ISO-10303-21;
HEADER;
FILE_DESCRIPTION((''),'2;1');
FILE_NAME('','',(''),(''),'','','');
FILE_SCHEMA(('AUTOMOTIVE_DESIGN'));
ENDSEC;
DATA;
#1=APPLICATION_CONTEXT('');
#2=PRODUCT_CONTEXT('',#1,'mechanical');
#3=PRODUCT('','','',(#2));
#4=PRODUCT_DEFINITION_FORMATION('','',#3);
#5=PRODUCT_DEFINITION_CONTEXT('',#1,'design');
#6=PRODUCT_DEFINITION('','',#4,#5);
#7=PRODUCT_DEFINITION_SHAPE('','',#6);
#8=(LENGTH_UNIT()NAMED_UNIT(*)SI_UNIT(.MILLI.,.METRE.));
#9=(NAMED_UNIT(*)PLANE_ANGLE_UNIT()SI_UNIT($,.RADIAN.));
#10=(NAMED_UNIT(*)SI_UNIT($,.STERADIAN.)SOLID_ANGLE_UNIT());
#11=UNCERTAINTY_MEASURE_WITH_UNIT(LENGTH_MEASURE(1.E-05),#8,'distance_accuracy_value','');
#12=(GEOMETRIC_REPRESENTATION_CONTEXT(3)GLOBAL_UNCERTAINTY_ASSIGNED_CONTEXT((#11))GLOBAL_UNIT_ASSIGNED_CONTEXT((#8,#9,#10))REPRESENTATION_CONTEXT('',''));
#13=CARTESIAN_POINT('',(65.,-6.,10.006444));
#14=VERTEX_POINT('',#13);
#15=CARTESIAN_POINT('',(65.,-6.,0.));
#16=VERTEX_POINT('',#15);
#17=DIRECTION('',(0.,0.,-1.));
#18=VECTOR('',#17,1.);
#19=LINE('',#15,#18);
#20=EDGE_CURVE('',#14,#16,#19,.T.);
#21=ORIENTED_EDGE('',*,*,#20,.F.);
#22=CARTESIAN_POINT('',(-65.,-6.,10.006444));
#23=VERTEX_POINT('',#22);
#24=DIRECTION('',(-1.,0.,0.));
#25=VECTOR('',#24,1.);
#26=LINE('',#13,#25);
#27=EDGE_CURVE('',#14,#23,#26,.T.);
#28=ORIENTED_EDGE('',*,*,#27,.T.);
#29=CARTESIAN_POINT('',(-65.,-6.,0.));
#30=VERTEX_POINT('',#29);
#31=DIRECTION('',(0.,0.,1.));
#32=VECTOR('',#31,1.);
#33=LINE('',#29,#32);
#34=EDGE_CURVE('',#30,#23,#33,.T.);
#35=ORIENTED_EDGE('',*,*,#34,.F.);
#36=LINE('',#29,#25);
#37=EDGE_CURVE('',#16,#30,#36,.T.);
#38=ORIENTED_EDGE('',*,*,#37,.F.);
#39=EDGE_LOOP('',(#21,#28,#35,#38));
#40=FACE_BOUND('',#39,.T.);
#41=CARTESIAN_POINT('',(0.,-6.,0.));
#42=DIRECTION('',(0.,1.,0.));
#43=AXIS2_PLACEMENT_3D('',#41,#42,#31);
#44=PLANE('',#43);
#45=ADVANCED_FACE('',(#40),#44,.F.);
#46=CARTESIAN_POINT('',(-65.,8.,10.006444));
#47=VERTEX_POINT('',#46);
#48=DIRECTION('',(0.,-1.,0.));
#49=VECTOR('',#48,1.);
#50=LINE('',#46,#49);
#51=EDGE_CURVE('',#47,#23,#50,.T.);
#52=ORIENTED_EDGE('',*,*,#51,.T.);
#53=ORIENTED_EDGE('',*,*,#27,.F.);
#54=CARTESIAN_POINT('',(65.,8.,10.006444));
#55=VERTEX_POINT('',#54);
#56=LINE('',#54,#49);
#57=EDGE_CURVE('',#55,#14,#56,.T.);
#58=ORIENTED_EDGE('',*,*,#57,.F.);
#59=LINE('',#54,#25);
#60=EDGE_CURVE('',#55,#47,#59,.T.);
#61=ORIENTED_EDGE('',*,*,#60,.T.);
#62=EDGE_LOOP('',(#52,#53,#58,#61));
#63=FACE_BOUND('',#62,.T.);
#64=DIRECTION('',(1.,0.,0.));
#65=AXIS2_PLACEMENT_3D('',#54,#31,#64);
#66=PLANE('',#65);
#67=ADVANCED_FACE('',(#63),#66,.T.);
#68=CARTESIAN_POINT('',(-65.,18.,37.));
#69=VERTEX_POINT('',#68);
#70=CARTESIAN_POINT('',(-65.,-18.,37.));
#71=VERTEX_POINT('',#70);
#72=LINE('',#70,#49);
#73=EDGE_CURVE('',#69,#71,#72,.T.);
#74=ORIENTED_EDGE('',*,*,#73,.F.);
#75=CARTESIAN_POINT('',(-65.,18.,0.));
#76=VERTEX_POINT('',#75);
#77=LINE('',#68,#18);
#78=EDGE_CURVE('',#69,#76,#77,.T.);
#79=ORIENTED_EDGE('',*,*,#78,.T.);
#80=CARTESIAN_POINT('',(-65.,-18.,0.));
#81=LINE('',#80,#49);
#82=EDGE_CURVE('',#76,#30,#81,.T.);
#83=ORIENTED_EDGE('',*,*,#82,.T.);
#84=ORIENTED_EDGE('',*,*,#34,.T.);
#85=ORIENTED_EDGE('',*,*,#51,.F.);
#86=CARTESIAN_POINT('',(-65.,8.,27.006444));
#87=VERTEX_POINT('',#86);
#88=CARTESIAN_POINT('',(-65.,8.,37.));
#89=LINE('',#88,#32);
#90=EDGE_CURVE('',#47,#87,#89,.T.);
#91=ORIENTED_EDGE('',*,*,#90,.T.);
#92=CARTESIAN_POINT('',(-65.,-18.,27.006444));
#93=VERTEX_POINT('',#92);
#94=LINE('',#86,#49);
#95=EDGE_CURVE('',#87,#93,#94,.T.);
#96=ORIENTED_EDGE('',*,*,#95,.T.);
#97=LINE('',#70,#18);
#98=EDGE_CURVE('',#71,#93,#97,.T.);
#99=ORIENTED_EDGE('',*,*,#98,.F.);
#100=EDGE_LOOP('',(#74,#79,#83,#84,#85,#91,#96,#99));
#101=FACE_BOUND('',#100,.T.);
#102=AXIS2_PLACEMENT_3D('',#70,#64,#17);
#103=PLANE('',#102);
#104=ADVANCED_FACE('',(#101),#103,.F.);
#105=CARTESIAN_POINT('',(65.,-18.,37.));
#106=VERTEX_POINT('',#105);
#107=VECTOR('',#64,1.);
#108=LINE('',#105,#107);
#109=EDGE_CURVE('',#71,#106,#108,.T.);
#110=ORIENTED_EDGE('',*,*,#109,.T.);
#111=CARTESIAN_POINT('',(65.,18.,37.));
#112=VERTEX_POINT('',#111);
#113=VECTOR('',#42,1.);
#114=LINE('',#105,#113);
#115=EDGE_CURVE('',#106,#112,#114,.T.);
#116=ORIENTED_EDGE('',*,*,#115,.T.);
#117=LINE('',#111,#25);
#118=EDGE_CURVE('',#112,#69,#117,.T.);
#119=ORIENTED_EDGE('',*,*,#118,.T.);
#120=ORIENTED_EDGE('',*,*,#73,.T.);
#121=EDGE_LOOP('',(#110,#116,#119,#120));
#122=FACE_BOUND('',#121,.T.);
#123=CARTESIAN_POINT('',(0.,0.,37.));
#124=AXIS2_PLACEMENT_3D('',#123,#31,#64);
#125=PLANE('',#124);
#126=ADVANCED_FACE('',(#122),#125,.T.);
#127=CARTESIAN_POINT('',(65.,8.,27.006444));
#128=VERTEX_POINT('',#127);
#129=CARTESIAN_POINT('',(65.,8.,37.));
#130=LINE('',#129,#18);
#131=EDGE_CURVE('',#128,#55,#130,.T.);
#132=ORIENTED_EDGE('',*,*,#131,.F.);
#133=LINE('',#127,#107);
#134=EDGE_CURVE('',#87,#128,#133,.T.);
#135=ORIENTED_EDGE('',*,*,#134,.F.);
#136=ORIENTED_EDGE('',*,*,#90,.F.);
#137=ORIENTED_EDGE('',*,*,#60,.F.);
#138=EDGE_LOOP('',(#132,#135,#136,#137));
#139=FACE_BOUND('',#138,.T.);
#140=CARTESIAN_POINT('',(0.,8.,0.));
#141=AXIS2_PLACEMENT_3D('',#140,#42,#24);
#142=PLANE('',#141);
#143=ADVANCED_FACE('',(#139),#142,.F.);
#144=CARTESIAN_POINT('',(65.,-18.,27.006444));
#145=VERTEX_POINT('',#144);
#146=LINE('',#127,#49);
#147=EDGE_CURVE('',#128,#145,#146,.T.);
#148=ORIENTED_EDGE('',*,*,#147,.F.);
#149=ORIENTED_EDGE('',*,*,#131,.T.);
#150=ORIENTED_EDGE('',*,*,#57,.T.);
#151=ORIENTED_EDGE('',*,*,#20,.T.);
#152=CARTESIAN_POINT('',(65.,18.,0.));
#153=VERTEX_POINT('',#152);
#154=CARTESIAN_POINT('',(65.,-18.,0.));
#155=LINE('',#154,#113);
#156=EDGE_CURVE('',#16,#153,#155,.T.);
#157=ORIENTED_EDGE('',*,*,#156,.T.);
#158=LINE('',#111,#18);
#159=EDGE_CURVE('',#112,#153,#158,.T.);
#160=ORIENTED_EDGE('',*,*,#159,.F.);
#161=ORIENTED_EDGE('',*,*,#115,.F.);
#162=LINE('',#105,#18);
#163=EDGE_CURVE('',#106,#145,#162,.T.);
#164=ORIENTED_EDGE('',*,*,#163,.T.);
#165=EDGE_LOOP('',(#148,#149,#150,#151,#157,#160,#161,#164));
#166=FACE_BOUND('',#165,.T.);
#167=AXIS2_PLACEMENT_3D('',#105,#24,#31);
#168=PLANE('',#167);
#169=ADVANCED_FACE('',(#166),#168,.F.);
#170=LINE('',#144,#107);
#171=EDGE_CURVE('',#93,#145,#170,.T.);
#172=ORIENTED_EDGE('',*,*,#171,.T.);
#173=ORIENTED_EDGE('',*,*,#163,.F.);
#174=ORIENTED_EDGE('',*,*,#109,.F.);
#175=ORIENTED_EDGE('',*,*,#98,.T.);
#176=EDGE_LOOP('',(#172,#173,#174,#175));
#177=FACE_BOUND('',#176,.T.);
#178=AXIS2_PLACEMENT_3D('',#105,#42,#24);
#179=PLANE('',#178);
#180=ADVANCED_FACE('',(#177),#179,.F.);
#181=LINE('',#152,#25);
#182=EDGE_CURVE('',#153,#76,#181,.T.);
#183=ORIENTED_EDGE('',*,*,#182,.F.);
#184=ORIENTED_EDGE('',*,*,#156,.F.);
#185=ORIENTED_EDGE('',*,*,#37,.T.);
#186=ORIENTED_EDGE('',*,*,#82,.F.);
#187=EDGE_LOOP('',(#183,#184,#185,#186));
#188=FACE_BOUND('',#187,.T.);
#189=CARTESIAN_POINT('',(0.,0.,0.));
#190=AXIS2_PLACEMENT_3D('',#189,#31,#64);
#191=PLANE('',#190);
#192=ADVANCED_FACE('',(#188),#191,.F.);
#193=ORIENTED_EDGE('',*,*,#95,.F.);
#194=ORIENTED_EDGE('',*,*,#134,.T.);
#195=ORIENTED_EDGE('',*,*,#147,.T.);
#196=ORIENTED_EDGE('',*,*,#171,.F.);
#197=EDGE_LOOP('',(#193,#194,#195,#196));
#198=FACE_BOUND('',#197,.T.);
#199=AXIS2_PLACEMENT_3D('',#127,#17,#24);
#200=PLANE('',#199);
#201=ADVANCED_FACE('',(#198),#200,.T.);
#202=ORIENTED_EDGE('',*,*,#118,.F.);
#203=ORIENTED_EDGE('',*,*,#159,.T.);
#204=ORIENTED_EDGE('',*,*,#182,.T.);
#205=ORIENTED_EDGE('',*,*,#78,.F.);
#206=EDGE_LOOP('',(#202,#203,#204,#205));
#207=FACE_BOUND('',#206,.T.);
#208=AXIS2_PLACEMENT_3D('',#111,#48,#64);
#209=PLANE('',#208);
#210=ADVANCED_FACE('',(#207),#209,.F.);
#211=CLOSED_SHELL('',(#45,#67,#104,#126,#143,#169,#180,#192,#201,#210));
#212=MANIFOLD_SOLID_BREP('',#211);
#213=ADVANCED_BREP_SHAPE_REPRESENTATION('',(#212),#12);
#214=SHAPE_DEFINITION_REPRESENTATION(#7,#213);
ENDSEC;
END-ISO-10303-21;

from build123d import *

# Parameters (mm, degrees)
SKETCH_2_W          = 130
SKETCH_2_H          = 36
EXTRUDE_1_DEPTH     = 37
CUT_EXTRUDE_START   = -18
SKETCH_4_W          = 130
SKETCH_4_H          = 17
CUT_EXTRUDE_1_DEPTH = 26
SKETCH_5_W          = 130
SKETCH_5_H          = 12
CUT_EXTRUDE_2_DEPTH = 12


with BuildPart() as part:
    # 스케치2 → 보스-돌출1 (new body)
    with BuildSketch(Plane.XY):
        Rectangle(SKETCH_2_W, SKETCH_2_H)
    extrude(amount=EXTRUDE_1_DEPTH)

    # 스케치4 → 컷-돌출1 (cut)
    with BuildSketch(Plane(origin=(0, 0, 0), x_dir=(1, 0, 0), z_dir=(0, 1, 0)).offset(CUT_EXTRUDE_START)):
        with Locations((0, -18.50644362)):
            Rectangle(SKETCH_4_W, SKETCH_4_H)
    extrude(amount=CUT_EXTRUDE_1_DEPTH, mode=Mode.SUBTRACT)

    # 스케치5 → 컷-돌출2 (cut)
    with BuildSketch(Plane(origin=(0, 0, 0), x_dir=(1, 0, 0), z_dir=(0, 1, 0)).offset(CUT_EXTRUDE_START)):
        with Locations((0, -6)):
            Rectangle(SKETCH_5_W, SKETCH_5_H)
    extrude(amount=CUT_EXTRUDE_2_DEPTH, mode=Mode.SUBTRACT)


solid = part.part
